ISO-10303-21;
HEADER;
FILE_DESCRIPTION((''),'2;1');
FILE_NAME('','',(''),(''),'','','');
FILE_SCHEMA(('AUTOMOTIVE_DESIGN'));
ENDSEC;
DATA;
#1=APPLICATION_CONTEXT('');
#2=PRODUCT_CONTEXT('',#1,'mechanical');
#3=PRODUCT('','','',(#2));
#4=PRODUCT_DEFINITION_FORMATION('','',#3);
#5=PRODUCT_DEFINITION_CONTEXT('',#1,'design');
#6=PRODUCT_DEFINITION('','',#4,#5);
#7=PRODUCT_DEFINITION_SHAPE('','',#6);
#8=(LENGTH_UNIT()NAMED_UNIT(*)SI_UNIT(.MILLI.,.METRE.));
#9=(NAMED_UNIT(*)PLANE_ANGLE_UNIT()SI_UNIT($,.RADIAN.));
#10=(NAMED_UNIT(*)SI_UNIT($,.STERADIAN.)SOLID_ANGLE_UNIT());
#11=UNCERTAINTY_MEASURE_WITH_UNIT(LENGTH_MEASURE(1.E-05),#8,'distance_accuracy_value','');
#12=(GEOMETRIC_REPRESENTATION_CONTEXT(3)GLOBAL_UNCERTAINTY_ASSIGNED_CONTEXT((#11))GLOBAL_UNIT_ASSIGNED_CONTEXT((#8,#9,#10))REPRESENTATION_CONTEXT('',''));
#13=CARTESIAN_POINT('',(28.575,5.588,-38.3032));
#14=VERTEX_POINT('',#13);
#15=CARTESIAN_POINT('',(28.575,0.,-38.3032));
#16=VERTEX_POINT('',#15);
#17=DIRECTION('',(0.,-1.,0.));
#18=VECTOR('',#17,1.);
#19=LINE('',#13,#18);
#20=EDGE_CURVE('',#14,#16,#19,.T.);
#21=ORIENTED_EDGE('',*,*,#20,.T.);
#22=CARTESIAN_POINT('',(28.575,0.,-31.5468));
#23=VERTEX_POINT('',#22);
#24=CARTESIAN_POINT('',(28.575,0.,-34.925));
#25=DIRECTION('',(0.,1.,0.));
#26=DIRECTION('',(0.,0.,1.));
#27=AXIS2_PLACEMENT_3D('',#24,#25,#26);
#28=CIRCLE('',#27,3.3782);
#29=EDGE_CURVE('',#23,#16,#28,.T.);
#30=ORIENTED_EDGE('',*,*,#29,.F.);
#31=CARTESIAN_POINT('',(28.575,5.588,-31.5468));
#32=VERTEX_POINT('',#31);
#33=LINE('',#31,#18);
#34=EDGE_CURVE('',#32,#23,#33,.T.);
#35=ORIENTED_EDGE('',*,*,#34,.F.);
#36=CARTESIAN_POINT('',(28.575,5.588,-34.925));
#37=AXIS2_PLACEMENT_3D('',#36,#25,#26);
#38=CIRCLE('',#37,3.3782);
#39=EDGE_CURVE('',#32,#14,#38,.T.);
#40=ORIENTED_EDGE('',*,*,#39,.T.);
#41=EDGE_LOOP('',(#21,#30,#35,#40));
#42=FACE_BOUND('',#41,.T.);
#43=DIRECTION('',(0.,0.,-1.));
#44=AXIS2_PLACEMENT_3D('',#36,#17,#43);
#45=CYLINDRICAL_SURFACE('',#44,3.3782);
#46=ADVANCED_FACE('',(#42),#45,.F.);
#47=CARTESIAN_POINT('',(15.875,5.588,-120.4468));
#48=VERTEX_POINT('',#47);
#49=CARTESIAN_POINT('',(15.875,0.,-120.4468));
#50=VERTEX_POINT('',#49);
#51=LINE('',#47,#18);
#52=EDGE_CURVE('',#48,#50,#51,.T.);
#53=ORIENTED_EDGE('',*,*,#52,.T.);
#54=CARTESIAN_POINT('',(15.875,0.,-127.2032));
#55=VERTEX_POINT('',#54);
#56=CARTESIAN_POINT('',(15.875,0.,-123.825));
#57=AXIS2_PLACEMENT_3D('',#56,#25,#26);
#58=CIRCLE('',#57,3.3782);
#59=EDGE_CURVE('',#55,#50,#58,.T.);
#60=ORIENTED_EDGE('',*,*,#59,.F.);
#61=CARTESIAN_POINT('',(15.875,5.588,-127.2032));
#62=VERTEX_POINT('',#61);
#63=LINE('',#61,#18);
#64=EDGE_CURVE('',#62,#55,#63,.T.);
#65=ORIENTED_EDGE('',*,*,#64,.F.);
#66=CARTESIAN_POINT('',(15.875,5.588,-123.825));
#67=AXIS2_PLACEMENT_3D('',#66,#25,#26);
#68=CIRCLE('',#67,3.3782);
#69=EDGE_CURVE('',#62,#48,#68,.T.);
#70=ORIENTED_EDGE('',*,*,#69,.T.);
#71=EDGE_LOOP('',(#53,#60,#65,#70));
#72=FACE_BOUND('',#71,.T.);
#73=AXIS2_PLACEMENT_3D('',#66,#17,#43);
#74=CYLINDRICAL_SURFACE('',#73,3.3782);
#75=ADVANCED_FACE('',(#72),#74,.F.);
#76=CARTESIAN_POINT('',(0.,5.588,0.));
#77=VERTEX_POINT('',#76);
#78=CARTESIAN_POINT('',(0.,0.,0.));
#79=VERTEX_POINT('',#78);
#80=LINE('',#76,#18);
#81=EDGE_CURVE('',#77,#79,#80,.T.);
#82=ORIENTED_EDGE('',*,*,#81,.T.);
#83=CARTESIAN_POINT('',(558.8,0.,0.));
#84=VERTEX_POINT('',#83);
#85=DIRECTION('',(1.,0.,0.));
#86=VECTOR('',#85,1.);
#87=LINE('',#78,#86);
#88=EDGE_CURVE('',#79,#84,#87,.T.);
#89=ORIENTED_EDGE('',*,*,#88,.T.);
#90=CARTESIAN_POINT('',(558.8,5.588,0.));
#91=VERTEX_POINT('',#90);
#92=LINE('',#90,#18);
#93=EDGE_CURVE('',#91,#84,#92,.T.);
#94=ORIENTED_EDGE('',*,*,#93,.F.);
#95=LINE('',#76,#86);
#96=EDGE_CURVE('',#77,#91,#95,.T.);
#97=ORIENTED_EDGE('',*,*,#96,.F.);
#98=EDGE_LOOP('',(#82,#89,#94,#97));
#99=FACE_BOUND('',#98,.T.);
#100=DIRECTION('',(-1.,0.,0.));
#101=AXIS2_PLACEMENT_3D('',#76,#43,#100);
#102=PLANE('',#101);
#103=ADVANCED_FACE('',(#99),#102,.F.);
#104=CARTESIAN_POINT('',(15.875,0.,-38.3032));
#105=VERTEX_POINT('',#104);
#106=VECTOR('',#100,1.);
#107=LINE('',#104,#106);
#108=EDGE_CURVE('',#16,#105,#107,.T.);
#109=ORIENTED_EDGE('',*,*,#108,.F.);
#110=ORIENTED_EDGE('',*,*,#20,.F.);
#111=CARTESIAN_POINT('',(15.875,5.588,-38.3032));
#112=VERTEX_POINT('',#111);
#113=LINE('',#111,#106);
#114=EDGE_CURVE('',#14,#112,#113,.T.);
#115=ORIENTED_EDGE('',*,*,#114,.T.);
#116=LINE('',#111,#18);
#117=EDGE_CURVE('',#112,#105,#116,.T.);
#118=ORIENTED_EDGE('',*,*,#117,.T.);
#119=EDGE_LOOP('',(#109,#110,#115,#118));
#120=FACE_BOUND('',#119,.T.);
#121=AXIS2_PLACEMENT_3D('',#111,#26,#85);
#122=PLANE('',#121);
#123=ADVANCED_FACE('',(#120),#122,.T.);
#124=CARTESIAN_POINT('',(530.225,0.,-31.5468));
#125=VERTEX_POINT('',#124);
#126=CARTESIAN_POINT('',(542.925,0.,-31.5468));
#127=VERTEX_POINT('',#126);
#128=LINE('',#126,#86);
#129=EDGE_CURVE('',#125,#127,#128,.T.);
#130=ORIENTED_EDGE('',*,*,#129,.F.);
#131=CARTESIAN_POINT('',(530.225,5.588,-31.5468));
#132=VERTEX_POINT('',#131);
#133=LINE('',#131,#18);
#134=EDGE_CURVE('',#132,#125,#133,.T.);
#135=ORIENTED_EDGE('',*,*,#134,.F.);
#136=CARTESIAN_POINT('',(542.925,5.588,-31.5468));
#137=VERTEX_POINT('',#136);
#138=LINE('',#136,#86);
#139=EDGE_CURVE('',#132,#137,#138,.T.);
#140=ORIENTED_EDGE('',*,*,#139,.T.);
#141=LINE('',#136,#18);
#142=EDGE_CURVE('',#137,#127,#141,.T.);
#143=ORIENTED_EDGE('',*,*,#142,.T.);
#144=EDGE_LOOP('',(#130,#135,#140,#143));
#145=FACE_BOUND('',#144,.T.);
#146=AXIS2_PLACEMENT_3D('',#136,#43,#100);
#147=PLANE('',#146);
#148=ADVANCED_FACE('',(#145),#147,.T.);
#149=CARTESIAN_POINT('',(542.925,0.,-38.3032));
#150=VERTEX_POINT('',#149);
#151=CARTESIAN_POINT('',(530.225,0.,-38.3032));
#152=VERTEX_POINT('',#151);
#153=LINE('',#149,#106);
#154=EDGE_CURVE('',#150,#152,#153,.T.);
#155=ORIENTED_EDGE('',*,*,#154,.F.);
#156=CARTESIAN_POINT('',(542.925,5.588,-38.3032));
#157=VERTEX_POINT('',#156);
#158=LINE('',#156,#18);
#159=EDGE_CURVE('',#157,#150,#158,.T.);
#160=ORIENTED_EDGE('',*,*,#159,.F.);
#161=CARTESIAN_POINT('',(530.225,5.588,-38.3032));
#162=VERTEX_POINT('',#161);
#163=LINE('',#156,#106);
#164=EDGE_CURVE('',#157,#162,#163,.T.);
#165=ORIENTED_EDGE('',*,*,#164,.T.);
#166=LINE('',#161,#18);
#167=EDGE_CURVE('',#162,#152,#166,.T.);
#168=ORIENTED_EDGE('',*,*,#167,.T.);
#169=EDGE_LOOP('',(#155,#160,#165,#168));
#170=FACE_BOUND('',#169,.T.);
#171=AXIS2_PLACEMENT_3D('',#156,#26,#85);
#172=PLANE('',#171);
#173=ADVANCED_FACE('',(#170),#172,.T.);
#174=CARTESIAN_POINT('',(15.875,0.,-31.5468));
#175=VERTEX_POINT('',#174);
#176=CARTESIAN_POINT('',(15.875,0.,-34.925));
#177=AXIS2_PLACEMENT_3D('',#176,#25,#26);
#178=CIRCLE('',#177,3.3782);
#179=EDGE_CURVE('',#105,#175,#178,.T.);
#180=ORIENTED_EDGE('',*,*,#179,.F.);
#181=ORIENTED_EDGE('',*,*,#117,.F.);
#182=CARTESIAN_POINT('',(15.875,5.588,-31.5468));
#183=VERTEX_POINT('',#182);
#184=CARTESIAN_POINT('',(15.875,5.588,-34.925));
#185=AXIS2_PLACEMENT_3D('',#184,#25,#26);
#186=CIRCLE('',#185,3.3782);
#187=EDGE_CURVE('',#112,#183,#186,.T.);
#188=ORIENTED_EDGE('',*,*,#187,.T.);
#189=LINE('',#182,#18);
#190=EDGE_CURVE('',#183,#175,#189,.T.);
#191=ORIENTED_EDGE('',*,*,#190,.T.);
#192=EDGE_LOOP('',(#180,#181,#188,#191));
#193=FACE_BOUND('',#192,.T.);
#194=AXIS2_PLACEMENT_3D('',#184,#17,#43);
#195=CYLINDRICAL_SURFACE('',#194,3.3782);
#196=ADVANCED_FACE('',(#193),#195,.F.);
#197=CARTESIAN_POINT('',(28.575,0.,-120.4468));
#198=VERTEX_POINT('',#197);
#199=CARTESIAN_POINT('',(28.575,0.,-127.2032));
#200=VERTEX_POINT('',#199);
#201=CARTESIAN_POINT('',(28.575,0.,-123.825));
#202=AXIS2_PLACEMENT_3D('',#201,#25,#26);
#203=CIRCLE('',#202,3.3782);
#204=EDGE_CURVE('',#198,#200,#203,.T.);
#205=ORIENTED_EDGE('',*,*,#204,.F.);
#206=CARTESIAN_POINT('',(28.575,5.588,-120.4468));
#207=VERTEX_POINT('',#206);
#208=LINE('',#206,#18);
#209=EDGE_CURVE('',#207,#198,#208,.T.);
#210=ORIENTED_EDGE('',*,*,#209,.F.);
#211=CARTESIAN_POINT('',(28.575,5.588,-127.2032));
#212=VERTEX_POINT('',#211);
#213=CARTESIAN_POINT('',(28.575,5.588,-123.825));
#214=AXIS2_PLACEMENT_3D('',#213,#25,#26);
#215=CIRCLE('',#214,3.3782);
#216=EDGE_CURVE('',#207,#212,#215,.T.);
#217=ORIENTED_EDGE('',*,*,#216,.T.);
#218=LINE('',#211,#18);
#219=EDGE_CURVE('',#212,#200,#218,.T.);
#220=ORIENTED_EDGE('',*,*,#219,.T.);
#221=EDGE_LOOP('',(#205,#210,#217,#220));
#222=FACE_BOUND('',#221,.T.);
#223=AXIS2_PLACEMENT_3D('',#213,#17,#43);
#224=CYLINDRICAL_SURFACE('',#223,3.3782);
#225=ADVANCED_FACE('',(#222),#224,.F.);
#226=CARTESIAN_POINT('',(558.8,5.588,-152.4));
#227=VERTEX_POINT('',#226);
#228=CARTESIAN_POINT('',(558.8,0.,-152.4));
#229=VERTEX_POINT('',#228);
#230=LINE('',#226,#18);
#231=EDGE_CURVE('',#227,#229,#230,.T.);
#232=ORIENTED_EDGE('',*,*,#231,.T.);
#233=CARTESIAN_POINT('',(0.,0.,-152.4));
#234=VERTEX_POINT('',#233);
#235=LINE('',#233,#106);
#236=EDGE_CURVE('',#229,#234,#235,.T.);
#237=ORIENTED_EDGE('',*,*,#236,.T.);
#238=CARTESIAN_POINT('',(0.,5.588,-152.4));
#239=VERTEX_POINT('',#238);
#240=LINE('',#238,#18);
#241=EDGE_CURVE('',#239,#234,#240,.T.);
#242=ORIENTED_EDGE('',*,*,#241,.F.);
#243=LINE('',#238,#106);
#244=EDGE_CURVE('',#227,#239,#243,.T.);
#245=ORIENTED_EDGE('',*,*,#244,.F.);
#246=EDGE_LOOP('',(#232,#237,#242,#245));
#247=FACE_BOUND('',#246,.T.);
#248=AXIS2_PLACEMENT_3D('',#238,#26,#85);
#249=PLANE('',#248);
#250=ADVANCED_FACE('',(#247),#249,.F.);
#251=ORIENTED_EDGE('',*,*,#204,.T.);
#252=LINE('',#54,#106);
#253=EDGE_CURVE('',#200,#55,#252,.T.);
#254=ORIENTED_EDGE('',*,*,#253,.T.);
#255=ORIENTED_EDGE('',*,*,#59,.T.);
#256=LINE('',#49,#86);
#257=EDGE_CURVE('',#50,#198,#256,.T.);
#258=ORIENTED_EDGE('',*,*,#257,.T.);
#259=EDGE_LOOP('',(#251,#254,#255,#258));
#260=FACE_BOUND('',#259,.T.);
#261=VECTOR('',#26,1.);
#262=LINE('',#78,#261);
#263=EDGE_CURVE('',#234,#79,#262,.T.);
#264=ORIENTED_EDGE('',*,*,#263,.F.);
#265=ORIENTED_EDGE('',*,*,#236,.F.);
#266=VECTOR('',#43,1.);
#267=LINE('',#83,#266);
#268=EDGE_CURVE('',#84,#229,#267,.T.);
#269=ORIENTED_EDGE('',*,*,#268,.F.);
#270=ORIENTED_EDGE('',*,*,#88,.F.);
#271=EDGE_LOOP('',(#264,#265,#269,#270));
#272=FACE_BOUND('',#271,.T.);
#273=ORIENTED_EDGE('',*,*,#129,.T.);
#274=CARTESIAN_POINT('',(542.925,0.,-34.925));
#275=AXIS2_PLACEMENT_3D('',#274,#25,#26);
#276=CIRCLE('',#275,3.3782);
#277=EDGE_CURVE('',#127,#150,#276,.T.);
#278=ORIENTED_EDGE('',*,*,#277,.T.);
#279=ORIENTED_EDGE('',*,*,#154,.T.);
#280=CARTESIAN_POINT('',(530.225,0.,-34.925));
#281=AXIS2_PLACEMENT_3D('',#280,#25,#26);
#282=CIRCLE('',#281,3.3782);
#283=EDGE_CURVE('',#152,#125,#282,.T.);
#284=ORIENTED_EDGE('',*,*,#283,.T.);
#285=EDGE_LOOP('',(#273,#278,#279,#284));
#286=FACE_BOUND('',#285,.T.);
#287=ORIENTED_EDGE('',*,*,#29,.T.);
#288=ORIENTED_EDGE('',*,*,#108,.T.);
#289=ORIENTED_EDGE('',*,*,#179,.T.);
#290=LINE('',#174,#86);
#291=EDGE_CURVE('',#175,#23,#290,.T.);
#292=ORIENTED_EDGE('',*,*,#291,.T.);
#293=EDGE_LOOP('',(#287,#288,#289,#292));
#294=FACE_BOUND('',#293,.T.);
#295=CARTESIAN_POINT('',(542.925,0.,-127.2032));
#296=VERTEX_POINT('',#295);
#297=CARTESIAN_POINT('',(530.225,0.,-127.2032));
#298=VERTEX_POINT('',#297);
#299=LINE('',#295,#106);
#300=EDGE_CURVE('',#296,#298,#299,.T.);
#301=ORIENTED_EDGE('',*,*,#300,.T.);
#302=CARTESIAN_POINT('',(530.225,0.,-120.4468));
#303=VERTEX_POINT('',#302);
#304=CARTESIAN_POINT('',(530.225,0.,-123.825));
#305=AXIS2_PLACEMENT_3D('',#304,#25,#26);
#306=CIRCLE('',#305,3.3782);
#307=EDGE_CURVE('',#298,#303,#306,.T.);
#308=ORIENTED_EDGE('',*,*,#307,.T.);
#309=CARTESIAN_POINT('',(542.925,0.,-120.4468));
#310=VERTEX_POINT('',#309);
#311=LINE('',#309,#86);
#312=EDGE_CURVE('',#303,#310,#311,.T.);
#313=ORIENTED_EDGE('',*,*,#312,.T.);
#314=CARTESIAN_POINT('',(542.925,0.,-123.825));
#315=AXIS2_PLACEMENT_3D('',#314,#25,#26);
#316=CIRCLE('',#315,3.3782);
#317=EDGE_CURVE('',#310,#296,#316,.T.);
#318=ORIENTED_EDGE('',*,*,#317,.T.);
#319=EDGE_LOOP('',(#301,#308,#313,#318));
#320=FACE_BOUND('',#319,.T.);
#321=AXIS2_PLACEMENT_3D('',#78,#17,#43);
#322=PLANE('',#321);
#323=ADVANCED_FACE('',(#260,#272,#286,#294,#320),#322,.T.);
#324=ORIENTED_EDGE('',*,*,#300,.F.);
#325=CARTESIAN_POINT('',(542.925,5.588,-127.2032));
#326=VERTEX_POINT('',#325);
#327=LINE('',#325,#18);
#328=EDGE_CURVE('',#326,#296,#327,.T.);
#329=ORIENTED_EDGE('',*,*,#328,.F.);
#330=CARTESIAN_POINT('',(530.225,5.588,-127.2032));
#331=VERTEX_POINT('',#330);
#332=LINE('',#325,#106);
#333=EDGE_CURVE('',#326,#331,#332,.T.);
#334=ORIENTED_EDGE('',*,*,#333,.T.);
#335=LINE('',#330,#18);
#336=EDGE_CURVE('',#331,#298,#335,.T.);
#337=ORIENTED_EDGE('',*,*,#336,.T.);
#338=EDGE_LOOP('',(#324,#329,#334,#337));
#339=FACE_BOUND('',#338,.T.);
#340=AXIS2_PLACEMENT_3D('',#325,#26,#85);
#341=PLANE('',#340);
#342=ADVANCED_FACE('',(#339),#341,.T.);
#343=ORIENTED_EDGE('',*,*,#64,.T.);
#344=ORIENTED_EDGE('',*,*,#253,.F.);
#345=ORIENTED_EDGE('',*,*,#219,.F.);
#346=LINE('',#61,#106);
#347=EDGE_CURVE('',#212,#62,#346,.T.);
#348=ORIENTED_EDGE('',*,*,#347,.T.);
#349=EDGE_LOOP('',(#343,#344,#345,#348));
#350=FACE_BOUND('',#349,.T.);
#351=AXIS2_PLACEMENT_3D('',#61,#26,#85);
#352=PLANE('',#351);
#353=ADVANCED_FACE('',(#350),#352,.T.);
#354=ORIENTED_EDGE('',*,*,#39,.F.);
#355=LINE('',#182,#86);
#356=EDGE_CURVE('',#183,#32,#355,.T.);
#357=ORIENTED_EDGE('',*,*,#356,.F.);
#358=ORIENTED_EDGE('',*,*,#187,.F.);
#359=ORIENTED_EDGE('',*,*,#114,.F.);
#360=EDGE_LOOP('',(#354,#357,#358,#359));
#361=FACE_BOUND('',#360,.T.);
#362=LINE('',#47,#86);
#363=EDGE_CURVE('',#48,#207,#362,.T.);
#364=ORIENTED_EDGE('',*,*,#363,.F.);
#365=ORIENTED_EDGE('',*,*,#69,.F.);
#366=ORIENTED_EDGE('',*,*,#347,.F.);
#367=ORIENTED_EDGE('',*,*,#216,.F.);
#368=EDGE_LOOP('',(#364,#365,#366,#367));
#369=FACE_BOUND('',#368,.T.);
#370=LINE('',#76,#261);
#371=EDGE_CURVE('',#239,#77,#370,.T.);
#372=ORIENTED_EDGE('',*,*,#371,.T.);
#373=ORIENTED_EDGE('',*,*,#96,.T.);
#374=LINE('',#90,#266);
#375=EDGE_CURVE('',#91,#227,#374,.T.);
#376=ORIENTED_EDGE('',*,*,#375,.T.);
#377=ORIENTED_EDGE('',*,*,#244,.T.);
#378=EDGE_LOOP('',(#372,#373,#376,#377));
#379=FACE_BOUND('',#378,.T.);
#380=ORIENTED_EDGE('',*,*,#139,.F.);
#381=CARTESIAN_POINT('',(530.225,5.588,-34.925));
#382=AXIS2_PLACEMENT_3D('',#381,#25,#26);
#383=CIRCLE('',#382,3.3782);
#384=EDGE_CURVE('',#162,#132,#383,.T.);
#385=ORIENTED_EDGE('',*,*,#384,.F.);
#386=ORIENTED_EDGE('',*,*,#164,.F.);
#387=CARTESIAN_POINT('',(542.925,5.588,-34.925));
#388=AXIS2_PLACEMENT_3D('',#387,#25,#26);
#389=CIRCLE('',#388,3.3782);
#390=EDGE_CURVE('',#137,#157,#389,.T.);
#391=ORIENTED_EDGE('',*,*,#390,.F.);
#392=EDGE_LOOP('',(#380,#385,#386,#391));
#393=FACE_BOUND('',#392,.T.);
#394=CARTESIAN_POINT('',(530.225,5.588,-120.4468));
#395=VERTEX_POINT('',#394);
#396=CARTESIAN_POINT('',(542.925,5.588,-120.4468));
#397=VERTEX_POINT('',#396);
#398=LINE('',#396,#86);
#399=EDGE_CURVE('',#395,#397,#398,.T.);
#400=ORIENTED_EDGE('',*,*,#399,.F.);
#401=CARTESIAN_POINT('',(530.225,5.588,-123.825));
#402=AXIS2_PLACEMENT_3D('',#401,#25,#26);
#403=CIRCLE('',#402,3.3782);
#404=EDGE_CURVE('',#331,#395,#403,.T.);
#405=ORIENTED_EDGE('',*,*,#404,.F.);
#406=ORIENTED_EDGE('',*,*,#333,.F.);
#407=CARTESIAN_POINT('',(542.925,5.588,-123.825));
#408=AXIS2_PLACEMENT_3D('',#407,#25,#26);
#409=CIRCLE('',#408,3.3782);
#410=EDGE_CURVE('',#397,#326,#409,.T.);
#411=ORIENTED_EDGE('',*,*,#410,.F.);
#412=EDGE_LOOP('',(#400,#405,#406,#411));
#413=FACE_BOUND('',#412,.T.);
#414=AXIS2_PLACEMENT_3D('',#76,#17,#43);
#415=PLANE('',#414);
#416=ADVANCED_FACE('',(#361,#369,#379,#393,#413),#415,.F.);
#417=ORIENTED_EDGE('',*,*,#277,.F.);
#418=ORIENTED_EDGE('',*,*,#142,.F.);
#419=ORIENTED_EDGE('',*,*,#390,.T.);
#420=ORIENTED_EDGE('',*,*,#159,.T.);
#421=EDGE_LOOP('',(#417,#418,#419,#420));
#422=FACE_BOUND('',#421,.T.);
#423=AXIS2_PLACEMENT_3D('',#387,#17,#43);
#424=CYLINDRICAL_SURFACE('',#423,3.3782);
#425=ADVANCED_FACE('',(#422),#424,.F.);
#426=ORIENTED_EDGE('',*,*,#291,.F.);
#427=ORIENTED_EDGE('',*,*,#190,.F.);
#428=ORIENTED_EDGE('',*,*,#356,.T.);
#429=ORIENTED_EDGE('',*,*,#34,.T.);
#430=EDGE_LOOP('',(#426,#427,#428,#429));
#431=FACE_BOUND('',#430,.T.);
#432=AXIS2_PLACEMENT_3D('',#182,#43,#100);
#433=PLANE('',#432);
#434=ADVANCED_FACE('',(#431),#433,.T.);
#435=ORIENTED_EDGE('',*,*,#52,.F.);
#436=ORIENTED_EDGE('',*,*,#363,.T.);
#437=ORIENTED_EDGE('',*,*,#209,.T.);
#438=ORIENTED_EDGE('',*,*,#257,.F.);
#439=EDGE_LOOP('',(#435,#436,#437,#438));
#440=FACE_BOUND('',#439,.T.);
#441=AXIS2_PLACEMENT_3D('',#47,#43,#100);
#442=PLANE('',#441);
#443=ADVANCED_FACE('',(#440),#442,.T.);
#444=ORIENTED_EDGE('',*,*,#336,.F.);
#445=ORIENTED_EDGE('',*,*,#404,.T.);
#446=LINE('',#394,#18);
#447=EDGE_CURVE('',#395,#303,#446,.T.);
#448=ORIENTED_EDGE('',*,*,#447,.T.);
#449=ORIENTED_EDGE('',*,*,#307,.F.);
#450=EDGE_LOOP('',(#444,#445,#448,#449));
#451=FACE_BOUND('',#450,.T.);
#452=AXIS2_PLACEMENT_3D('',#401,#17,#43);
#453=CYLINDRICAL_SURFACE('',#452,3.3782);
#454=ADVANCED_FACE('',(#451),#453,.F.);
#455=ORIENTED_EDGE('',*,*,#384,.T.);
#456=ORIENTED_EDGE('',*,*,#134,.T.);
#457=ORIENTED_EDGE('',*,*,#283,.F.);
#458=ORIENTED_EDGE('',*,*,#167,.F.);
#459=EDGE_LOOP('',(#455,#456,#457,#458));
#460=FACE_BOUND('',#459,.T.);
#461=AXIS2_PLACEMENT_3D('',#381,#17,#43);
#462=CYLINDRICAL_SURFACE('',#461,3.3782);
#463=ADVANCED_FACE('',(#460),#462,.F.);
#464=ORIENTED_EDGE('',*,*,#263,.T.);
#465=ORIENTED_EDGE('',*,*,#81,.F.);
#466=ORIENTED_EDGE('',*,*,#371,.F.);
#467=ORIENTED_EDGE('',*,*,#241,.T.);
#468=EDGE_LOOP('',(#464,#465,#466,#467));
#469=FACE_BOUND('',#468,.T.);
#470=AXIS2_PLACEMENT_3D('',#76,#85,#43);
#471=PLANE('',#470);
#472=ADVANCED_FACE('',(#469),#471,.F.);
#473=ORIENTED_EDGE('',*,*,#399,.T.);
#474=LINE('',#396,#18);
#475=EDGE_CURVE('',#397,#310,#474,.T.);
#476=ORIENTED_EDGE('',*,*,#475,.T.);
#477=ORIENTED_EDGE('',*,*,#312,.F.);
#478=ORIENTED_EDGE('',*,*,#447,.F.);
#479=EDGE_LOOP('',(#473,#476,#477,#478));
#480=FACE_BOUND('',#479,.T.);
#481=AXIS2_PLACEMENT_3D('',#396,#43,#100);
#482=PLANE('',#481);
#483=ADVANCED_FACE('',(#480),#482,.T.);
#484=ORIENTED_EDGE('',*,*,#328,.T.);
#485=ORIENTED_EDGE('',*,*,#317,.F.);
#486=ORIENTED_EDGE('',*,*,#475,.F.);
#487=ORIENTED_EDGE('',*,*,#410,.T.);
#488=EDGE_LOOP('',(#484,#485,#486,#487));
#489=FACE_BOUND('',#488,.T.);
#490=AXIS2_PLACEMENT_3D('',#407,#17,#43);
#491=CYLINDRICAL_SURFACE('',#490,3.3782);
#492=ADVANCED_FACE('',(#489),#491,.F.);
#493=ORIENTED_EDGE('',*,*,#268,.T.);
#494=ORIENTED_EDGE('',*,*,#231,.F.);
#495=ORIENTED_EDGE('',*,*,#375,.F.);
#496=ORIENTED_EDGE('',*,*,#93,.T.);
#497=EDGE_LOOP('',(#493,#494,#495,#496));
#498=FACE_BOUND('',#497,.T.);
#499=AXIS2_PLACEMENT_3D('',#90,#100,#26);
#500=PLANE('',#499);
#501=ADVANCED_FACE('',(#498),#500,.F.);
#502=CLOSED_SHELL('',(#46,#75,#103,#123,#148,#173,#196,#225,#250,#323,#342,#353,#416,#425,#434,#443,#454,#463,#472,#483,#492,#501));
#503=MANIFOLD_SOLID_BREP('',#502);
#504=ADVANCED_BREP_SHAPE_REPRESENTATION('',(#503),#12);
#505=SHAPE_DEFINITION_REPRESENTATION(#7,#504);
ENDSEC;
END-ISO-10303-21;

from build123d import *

# Parameters (mm, degrees)
SKETCH1_W           = 558.8
SKETCH1_H           = 152.4
BOSS_EXTRUDE1_DEPTH = 5.588


with BuildPart() as part:
    # Sketch1 → Boss-Extrude1 (new body)
    with BuildSketch(Plane(origin=(0, 0, 0), x_dir=(1, 0, 0), z_dir=(0, 1, 0))):
        with Locations((279.4, 76.2)):
            Rectangle(SKETCH1_W, SKETCH1_H)
        with BuildLine():
            Line((15.875, 38.3032), (28.575, 38.3032))
            ThreePointArc((28.575, 38.3032), (31.9532, 34.925), (28.575, 31.5468))
            Line((28.575, 31.5468), (15.875, 31.5468))
            ThreePointArc((15.875, 31.5468), (12.4968, 34.925), (15.875, 38.3032))
        make_face(mode=Mode.SUBTRACT)
        with BuildLine():
            Line((15.875, 127.2032), (28.575, 127.2032))
            ThreePointArc((28.575, 127.2032), (31.9532, 123.825), (28.575, 120.4468))
            Line((28.575, 120.4468), (15.875, 120.4468))
            ThreePointArc((15.875, 120.4468), (12.4968, 123.825), (15.875, 127.2032))
        make_face(mode=Mode.SUBTRACT)
        with BuildLine():
            Line((542.925, 120.4468), (530.225, 120.4468))
            ThreePointArc((530.225, 120.4468), (526.8468, 123.825), (530.225, 127.2032))
            Line((530.225, 127.2032), (542.925, 127.2032))
            ThreePointArc((542.925, 127.2032), (546.3032, 123.825), (542.925, 120.4468))
        make_face(mode=Mode.SUBTRACT)
        with BuildLine():
            Line((542.925, 31.5468), (530.225, 31.5468))
            ThreePointArc((530.225, 31.5468), (526.8468, 34.925), (530.225, 38.3032))
            Line((530.225, 38.3032), (542.925, 38.3032))
            ThreePointArc((542.925, 38.3032), (546.3032, 34.925), (542.925, 31.5468))
        make_face(mode=Mode.SUBTRACT)
    extrude(amount=BOSS_EXTRUDE1_DEPTH)


solid = part.part
